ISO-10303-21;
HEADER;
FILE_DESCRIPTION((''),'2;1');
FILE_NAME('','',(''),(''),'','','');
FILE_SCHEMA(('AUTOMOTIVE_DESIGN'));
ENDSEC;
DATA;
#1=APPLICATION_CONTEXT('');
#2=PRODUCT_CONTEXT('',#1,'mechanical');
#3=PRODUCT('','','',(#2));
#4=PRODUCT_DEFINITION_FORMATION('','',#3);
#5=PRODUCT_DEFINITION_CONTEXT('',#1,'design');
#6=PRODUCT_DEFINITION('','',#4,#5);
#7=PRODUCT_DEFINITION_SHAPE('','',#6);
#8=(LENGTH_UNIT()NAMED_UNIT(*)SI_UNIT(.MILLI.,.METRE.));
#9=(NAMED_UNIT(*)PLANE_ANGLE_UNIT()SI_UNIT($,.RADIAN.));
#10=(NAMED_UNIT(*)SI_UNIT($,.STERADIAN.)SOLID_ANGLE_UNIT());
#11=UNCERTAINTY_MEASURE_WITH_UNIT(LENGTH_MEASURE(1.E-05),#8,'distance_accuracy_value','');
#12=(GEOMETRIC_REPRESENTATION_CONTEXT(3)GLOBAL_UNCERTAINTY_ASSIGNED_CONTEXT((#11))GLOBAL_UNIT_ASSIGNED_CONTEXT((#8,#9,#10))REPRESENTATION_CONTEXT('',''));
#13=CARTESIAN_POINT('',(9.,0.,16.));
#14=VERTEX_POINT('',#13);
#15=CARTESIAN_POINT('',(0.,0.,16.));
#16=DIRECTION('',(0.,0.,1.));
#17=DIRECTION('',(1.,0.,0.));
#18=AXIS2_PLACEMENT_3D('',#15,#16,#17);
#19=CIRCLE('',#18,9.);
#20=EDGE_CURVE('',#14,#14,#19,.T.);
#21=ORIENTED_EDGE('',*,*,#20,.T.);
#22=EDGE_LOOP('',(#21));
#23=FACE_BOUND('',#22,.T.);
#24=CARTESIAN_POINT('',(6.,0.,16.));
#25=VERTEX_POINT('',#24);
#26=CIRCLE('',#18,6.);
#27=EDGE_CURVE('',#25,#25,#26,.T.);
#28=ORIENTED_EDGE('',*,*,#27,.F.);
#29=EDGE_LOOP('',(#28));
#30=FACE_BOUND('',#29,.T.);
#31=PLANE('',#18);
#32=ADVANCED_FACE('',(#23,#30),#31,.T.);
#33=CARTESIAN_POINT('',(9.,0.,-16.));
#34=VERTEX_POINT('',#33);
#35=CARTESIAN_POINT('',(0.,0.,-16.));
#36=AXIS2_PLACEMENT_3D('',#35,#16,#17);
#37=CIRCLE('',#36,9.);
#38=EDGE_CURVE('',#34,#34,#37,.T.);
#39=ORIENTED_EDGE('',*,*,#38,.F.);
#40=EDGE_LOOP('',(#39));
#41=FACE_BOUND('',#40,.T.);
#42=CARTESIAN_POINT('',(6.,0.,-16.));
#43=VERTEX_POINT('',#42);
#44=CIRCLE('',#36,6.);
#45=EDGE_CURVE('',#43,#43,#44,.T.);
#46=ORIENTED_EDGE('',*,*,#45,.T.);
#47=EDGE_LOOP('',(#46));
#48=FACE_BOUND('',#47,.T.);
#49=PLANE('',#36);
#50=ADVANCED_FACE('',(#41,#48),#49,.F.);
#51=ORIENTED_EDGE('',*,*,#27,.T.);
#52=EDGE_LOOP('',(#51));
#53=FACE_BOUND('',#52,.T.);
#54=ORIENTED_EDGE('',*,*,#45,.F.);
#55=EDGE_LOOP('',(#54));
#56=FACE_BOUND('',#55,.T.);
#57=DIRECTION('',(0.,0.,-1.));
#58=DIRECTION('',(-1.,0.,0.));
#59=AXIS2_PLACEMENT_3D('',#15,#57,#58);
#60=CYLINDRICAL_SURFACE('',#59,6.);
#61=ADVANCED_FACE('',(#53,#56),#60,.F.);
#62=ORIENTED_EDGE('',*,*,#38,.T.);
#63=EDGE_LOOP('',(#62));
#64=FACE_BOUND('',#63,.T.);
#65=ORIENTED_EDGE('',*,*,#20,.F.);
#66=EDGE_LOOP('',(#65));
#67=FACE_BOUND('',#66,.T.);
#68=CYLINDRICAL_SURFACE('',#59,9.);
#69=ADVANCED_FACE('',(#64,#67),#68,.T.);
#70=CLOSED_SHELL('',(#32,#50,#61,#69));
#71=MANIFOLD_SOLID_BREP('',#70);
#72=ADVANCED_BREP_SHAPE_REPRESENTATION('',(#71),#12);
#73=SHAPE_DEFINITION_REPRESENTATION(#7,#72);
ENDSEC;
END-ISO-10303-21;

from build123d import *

# Parameters (mm, degrees)
SKETCH1_R           = 9
SKETCH1_R_2         = 6
BOSS_EXTRUDE1_DEPTH = 16


with BuildPart() as part:
    # Sketch1 → Boss-Extrude1 (new, symmetric)
    with BuildSketch(Plane.XY):
        Circle(SKETCH1_R)
        Circle(SKETCH1_R_2, mode=Mode.SUBTRACT)
    extrude(amount=BOSS_EXTRUDE1_DEPTH, both=True)


solid = part.part
